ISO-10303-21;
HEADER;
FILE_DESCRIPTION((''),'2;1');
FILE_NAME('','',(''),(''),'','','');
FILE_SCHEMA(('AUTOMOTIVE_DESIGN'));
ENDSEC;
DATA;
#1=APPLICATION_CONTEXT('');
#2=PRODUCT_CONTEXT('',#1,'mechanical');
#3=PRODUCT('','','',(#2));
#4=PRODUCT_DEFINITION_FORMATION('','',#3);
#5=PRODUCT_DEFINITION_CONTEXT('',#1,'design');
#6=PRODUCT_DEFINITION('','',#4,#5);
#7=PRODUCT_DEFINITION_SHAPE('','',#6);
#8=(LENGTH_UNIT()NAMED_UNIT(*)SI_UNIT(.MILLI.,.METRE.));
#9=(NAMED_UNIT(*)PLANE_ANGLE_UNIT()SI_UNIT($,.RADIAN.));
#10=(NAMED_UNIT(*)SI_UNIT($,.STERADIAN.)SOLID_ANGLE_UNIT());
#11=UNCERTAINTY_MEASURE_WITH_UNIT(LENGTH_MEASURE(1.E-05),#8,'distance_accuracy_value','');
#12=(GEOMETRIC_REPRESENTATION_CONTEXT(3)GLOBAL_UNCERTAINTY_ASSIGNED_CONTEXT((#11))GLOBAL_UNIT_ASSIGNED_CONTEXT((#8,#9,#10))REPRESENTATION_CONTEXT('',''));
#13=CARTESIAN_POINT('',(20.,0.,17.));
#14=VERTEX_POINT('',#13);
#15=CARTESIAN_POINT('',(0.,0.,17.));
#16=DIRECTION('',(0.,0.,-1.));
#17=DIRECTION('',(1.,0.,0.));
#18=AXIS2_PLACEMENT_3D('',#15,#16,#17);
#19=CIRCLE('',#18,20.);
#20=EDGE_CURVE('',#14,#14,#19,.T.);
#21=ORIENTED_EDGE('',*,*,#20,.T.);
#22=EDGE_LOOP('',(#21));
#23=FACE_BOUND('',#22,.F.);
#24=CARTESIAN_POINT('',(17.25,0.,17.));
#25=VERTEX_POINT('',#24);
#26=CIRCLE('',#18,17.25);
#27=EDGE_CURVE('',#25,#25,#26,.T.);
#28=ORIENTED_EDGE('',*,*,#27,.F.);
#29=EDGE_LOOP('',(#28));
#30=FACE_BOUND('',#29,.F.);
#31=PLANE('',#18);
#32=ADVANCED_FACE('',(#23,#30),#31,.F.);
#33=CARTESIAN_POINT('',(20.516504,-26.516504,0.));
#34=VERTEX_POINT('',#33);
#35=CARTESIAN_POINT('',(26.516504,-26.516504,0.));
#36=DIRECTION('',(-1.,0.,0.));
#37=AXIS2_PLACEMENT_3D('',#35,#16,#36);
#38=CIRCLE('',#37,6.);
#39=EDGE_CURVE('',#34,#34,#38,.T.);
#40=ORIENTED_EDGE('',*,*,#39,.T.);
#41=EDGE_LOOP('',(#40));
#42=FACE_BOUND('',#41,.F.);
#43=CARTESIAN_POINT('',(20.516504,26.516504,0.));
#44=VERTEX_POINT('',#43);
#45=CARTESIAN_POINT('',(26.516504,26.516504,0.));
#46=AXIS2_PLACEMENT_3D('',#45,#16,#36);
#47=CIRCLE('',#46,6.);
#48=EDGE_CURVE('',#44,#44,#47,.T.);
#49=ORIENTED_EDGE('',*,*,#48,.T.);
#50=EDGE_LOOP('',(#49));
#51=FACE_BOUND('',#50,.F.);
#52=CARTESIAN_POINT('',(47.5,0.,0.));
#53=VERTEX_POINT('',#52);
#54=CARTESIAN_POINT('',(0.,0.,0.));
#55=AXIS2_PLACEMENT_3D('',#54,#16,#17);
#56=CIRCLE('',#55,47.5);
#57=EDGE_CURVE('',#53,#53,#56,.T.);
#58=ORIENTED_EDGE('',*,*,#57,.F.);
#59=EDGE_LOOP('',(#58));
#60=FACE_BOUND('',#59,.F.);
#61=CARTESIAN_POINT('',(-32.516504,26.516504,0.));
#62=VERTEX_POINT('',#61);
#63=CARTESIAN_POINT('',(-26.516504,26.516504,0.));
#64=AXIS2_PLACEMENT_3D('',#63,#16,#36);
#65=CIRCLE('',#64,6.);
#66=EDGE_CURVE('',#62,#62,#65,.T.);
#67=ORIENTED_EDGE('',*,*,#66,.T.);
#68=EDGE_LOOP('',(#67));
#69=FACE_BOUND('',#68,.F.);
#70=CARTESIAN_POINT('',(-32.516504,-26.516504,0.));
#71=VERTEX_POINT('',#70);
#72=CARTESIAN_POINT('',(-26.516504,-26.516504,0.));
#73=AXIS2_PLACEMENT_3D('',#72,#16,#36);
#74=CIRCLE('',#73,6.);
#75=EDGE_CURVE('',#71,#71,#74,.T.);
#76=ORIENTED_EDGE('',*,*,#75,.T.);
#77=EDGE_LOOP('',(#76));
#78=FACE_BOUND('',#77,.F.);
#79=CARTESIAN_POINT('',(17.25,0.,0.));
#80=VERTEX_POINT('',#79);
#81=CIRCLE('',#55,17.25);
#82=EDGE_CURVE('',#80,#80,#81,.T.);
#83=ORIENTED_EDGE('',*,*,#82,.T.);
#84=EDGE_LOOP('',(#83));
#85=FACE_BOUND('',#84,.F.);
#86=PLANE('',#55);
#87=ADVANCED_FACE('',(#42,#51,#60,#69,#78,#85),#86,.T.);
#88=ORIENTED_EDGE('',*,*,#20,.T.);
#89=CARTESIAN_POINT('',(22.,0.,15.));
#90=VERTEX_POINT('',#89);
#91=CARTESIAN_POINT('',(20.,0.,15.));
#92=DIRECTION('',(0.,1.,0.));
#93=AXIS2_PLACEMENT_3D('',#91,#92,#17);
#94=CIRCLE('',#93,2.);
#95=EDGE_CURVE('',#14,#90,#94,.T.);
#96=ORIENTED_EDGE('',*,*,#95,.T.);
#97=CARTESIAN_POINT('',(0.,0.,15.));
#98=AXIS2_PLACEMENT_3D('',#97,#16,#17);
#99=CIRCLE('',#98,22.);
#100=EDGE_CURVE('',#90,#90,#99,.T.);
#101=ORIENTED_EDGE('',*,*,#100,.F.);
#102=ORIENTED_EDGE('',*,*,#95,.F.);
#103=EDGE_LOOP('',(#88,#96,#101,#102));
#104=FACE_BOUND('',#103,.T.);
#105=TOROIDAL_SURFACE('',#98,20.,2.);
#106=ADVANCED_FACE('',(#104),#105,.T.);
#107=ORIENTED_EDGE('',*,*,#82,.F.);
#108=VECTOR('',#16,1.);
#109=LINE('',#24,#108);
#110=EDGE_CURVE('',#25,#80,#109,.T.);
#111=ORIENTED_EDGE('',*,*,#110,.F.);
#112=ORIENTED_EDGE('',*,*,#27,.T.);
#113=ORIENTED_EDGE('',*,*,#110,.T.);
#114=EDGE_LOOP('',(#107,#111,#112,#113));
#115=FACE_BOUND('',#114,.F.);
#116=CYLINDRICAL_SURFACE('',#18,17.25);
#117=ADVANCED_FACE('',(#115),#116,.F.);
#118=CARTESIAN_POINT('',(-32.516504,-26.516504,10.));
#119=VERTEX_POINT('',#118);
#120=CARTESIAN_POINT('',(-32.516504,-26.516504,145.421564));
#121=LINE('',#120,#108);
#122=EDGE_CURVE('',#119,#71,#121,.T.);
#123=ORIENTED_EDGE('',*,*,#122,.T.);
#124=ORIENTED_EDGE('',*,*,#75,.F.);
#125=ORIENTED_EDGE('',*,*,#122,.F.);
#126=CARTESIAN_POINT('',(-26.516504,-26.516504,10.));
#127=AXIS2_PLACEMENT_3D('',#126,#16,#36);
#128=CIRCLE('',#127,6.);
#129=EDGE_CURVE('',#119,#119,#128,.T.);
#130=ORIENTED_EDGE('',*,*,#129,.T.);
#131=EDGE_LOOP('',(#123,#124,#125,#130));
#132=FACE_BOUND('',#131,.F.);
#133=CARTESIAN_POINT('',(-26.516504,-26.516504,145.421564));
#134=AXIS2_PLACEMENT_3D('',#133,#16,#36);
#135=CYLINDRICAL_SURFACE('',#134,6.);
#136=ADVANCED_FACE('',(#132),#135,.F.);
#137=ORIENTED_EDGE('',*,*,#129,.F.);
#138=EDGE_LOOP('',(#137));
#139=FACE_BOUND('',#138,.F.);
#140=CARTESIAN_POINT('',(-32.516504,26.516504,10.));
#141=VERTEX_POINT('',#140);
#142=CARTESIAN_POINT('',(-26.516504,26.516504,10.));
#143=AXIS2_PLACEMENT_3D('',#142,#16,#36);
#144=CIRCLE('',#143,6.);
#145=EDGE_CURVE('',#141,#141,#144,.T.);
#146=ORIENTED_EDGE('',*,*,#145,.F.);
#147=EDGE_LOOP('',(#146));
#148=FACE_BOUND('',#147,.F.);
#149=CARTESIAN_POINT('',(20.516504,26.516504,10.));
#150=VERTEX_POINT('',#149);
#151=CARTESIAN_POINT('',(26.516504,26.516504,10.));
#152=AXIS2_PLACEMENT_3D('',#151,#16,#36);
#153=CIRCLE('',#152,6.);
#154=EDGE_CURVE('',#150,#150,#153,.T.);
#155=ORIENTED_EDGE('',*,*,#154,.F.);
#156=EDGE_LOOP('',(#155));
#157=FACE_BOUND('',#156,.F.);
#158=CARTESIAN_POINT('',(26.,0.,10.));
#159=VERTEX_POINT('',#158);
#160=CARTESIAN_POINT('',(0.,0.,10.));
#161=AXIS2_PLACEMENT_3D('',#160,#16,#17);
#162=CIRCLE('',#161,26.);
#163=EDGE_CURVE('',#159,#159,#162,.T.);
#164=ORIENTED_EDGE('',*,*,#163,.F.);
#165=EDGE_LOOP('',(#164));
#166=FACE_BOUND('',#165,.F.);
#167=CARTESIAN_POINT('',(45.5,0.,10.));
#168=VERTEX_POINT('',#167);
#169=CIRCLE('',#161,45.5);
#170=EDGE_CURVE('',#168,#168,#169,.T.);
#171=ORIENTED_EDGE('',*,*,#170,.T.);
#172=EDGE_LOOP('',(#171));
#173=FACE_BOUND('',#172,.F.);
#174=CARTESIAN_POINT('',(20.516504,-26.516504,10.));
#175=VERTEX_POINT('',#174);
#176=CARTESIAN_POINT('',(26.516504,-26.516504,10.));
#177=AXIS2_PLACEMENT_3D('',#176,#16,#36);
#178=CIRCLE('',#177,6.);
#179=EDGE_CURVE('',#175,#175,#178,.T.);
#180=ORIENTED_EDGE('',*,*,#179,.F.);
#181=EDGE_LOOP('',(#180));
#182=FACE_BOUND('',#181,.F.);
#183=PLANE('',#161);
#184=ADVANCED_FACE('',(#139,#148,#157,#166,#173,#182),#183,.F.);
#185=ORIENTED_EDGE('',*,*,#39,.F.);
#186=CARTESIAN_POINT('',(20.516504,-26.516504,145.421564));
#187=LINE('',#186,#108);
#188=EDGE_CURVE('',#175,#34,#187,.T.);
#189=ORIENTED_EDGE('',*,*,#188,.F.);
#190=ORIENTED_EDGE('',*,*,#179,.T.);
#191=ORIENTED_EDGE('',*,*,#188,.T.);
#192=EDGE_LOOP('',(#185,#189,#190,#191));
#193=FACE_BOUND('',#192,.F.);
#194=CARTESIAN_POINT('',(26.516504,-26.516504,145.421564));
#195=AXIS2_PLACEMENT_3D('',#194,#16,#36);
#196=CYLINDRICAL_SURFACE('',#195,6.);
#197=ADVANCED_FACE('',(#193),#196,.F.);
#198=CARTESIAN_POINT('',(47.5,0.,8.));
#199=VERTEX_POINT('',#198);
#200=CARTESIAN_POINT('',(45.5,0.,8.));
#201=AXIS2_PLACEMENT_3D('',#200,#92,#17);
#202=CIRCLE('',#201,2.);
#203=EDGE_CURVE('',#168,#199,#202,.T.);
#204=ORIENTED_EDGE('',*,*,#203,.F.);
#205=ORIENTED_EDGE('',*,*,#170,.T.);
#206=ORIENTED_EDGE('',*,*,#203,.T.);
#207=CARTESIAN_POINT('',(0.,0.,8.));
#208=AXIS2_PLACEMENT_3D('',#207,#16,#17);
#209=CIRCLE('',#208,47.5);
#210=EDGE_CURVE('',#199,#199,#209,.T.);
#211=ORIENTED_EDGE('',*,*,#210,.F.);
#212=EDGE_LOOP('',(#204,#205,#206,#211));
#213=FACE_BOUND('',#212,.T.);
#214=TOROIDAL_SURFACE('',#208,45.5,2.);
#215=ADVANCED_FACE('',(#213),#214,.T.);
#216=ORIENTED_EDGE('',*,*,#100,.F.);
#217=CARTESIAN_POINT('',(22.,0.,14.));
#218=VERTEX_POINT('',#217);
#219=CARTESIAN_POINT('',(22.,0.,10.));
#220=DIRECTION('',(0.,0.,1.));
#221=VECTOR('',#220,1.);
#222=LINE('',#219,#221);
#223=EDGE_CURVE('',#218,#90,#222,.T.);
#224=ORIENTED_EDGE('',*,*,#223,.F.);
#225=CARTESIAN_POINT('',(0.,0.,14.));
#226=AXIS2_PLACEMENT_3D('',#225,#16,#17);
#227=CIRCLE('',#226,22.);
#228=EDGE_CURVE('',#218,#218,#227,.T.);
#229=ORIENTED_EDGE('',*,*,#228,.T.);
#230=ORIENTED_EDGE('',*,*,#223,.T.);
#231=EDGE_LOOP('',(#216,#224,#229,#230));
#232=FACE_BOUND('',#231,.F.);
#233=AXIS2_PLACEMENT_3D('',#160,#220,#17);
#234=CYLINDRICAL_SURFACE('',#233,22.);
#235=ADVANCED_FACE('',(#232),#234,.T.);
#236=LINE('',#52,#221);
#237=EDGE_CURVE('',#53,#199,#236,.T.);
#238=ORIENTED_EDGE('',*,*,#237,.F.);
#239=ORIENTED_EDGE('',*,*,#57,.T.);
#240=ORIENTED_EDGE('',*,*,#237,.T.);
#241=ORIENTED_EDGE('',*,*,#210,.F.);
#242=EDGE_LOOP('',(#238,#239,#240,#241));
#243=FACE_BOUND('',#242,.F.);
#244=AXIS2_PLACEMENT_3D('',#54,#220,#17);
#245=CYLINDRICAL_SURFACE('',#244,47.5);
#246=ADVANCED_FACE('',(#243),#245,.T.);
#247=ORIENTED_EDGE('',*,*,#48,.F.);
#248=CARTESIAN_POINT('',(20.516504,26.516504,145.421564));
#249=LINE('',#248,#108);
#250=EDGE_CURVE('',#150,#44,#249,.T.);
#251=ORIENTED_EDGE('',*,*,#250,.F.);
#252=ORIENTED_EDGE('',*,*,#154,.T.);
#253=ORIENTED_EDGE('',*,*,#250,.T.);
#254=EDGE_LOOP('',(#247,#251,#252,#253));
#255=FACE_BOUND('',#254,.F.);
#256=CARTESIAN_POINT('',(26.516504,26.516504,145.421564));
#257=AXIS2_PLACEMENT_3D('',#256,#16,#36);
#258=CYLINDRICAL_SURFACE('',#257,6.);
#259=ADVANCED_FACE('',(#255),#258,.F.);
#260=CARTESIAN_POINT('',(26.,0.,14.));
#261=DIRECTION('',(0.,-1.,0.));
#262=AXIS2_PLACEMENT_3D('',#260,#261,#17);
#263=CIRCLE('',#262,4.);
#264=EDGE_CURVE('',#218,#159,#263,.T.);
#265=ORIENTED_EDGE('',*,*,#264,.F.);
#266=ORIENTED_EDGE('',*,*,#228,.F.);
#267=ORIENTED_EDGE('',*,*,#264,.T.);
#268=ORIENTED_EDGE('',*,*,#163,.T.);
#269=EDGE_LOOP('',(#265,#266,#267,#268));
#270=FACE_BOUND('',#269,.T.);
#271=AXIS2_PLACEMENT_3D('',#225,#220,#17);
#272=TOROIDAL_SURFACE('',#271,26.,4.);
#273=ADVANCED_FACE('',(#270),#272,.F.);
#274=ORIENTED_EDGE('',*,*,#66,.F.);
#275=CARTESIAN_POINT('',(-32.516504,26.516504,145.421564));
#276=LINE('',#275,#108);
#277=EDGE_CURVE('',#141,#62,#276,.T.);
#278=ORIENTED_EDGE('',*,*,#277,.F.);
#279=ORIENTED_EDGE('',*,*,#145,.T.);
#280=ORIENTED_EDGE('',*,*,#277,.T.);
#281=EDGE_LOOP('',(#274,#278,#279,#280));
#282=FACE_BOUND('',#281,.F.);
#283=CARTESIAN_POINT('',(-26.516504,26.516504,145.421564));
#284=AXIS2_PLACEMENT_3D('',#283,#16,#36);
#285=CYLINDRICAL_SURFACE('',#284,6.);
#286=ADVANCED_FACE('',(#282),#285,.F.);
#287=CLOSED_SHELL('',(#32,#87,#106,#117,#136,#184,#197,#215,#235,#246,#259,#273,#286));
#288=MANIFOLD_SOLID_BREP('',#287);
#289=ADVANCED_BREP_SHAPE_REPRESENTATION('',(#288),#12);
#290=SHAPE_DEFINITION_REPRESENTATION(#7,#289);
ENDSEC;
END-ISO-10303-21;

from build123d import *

# Parameters (mm, degrees)
F3_D = 12
F4_R = 2
F5_R = 4


with BuildPart() as f1:
    # F0 (on Front) → F1 (revolve)
    with BuildSketch(Plane.XZ):
        Polygon((22, 17), (17.25, 17), (17.25, 0), (47.5, 0), (47.5, 10), (22, 10), align=None)
    revolve(axis=Axis((0, 0, 4.398516), (0, 0, -1)))

    # F3 (through all)
    with Locations(Plane.XY.offset(10)):
        with Locations((-26.516504, 26.516504), (-26.516504, -26.516504), (26.516504, -26.516504), (26.516504, 26.516504)):
            Hole(F3_D / 2)

    # F4
    f4_edges = [f1.edges().sort_by_distance(p)[0] for p in [
        (-22, 0, 17),
        (-47.5, 0, 10),
    ]]
    fillet(f4_edges, radius=F4_R)

    # F5
    f5_edges = [f1.edges().sort_by_distance(p)[0] for p in [
        (-22, 0, 10),
    ]]
    fillet(f5_edges, radius=F5_R)


solid = f1.part
